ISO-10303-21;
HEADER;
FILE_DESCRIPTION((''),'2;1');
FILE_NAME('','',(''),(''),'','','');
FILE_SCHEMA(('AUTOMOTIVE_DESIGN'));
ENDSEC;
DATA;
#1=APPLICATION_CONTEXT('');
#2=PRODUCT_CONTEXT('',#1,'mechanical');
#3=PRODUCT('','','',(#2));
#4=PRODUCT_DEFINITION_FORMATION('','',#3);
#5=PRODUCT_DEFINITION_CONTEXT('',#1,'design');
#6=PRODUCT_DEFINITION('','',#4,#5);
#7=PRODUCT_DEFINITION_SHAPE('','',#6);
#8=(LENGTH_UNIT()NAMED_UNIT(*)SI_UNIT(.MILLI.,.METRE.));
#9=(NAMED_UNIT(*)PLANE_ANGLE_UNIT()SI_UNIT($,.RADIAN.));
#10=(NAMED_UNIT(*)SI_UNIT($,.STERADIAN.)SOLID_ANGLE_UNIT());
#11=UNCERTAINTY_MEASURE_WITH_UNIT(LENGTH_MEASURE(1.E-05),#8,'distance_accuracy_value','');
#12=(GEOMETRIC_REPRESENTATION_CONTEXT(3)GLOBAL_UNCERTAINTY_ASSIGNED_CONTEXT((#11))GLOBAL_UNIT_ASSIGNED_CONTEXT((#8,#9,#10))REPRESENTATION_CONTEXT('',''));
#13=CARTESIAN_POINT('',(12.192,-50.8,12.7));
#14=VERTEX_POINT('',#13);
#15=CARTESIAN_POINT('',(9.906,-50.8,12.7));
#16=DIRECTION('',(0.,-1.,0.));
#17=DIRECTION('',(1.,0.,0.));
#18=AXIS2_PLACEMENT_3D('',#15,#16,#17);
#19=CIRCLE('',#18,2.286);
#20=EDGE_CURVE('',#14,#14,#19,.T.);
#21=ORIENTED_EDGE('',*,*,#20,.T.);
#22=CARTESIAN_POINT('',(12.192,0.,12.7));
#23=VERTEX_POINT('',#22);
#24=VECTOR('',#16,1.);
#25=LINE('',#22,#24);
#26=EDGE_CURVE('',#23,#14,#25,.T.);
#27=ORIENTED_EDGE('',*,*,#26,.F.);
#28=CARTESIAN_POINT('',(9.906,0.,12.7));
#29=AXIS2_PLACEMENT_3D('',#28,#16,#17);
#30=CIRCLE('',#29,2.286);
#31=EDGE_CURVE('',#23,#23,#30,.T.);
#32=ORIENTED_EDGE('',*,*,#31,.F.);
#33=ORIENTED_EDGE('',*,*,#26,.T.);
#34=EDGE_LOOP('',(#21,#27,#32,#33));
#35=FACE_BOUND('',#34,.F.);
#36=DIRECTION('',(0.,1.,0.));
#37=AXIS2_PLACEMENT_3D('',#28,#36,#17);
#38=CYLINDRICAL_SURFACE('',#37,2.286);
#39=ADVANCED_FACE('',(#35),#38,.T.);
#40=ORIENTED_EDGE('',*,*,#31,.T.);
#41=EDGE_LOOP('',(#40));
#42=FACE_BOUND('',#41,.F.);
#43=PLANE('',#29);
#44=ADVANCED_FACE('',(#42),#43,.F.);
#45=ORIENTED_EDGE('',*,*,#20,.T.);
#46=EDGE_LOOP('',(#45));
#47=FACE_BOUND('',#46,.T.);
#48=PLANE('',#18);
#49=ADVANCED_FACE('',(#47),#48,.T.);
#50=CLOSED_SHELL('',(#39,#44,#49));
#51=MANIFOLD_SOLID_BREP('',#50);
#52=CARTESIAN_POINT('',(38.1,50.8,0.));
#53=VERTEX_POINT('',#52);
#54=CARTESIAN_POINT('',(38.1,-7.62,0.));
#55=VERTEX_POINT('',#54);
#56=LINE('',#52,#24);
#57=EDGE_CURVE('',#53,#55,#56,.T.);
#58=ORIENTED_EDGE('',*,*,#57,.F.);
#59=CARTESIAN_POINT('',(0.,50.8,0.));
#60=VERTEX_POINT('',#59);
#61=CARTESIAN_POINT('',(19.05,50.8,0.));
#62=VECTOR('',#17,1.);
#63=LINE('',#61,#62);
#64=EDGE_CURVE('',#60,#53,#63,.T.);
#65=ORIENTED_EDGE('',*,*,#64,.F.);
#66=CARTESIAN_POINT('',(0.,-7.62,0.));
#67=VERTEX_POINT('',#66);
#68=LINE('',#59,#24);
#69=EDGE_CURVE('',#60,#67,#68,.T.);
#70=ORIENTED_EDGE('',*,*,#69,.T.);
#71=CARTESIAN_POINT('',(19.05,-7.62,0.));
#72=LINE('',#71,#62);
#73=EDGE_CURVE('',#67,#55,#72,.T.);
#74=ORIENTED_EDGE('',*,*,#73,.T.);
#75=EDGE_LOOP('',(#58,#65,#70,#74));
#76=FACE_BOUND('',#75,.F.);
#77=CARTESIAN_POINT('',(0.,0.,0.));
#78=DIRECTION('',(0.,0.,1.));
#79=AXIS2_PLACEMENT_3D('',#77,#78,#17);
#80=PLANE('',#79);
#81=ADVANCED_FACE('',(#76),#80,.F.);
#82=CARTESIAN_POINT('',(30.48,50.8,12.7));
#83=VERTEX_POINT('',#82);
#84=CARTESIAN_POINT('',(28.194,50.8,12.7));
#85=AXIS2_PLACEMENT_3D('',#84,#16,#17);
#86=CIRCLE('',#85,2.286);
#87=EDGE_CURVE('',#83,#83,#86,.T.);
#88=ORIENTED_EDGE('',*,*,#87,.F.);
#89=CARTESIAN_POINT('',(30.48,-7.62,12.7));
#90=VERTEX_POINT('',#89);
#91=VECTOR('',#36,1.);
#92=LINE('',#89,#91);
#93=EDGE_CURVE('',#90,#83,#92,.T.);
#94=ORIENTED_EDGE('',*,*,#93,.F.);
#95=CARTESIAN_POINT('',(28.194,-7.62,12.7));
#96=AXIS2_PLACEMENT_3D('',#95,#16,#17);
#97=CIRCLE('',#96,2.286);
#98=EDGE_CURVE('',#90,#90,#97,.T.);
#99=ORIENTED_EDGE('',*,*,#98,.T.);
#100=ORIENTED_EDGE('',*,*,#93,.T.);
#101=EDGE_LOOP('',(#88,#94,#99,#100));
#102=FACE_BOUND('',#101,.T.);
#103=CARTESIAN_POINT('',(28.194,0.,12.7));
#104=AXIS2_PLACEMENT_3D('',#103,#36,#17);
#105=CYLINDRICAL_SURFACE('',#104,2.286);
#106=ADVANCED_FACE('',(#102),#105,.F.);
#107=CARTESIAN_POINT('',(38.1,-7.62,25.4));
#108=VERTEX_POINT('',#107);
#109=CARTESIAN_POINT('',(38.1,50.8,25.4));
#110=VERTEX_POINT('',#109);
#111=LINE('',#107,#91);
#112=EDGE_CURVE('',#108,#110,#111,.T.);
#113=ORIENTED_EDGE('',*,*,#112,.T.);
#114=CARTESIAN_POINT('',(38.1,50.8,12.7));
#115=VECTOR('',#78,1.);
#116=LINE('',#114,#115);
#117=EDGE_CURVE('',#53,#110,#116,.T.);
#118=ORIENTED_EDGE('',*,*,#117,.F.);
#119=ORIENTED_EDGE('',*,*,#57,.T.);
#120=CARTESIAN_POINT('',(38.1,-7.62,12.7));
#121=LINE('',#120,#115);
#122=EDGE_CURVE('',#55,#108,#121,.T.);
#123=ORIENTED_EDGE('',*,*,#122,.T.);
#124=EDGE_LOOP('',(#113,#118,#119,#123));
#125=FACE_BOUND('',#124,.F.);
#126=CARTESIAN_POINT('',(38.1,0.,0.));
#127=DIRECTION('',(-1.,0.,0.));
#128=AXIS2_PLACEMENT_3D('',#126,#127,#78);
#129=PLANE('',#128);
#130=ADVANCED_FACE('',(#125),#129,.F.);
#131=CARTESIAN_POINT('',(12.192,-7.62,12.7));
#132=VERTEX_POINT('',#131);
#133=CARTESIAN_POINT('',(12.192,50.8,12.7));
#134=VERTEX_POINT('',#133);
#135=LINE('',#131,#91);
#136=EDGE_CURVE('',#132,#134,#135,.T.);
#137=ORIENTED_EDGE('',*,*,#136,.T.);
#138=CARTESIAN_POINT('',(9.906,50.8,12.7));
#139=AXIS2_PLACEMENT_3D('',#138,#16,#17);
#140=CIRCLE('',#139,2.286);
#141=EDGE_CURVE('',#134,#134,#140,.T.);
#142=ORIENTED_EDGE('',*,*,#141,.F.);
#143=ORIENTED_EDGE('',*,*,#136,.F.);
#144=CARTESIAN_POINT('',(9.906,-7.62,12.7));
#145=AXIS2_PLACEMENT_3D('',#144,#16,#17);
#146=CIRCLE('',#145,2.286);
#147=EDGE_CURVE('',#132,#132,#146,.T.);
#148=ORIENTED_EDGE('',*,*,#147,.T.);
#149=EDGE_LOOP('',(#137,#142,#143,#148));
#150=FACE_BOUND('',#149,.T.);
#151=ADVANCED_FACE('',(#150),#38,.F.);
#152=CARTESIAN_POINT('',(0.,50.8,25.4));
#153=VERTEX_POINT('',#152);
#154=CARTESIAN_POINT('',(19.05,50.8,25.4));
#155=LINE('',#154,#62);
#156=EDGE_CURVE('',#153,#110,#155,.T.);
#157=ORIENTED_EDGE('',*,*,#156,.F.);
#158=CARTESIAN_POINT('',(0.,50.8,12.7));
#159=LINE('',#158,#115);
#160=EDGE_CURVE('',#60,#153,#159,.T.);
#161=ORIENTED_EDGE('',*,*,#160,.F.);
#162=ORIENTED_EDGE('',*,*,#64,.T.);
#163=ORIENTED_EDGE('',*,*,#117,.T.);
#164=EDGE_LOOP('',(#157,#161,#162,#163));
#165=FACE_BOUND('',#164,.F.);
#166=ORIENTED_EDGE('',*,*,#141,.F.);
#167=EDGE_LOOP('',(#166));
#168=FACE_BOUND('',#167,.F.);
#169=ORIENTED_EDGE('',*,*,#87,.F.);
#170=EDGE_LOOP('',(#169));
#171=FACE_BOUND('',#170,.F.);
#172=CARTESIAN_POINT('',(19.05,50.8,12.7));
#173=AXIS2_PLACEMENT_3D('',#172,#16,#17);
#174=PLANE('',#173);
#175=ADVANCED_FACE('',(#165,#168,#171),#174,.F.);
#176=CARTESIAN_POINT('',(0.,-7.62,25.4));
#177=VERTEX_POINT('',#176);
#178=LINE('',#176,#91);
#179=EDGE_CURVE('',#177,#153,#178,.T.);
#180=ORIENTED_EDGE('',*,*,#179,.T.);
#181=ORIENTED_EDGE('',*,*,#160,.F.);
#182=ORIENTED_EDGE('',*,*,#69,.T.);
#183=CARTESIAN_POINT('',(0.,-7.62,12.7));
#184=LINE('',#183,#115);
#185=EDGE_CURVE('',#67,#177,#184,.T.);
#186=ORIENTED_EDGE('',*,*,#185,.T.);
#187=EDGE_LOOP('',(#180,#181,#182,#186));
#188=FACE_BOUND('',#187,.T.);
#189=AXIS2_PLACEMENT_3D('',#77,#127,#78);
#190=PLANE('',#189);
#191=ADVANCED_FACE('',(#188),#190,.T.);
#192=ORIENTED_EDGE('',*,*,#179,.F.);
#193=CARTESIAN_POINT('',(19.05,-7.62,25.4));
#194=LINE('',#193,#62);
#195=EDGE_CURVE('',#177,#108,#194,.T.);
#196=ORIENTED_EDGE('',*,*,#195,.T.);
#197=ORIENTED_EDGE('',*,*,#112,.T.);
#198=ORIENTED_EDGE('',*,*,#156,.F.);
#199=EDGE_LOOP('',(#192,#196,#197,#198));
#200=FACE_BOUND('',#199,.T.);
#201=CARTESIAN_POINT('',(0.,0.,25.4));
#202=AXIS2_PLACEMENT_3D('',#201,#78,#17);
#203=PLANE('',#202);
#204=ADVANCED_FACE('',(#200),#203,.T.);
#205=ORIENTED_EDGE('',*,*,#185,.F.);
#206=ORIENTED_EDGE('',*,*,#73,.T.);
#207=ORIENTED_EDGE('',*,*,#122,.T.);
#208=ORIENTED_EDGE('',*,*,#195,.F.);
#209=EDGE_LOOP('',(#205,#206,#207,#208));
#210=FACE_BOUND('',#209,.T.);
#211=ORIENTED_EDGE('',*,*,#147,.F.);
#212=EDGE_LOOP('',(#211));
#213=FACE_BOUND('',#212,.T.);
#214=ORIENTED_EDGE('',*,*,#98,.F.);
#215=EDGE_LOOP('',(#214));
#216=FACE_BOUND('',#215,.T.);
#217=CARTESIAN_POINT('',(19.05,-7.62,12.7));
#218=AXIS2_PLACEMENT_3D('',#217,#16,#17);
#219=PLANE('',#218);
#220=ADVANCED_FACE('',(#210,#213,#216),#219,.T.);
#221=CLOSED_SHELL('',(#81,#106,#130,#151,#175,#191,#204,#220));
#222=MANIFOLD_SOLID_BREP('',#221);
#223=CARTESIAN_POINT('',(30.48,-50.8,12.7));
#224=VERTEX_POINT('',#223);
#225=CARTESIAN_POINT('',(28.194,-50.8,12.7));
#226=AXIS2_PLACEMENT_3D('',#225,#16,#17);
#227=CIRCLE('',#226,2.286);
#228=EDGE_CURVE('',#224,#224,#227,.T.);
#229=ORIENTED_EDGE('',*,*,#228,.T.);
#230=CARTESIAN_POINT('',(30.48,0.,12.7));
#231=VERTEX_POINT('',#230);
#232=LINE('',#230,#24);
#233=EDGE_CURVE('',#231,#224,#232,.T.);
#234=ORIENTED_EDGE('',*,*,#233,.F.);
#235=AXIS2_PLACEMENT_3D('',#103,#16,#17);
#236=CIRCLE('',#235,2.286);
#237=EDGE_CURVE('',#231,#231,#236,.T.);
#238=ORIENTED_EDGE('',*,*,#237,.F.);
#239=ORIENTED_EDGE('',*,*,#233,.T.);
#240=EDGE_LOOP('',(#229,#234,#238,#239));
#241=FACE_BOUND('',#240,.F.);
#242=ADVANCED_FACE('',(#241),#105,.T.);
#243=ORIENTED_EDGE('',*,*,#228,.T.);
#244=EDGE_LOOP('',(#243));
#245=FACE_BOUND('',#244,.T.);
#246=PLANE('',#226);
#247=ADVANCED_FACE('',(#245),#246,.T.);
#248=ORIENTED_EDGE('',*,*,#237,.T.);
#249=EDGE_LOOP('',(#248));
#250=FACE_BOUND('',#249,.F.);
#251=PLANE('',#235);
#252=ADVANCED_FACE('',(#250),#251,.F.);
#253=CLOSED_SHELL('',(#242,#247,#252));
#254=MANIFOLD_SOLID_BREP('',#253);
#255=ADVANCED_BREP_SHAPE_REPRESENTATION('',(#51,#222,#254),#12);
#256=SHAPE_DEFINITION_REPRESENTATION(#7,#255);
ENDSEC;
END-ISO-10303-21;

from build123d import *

# Parameters (mm, degrees)
F0_R          = 2.286
F1_DEPTH      = 50.8
F0_W          = 38.1
F0_H          = 25.4
F2_DEPTH      = 50.8
F2_DEPTH_BACK = 7.62


with BuildPart() as f1:
    # F0 (on Front) → F1 (new body)
    with BuildSketch(Plane.XZ):
        with Locations((9.906, 12.7)):
            Circle(F0_R)
    extrude(amount=F1_DEPTH)


with BuildPart() as f1b:
    # F0 (on Front) → F1, piece 2 (new body)
    with BuildSketch(Plane.XZ):
        with Locations((28.194, 12.7)):
            Circle(F0_R)
    extrude(amount=F1_DEPTH)


with BuildPart() as f2:
    # F0 (on Front) → F2 (new body, two sides)
    with BuildSketch(Plane.XZ) as f2_sk:
        with Locations((19.05, 12.7)):
            Rectangle(F0_W, F0_H)
        with Locations((9.906, 12.7)):
            Circle(F0_R, mode=Mode.SUBTRACT)
        with Locations((28.194, 12.7)):
            Circle(F0_R, mode=Mode.SUBTRACT)
    extrude(amount=-F2_DEPTH)
    extrude(f2_sk.sketch, amount=F2_DEPTH_BACK)


solid = Compound([f1.part, f1b.part, f2.part])
